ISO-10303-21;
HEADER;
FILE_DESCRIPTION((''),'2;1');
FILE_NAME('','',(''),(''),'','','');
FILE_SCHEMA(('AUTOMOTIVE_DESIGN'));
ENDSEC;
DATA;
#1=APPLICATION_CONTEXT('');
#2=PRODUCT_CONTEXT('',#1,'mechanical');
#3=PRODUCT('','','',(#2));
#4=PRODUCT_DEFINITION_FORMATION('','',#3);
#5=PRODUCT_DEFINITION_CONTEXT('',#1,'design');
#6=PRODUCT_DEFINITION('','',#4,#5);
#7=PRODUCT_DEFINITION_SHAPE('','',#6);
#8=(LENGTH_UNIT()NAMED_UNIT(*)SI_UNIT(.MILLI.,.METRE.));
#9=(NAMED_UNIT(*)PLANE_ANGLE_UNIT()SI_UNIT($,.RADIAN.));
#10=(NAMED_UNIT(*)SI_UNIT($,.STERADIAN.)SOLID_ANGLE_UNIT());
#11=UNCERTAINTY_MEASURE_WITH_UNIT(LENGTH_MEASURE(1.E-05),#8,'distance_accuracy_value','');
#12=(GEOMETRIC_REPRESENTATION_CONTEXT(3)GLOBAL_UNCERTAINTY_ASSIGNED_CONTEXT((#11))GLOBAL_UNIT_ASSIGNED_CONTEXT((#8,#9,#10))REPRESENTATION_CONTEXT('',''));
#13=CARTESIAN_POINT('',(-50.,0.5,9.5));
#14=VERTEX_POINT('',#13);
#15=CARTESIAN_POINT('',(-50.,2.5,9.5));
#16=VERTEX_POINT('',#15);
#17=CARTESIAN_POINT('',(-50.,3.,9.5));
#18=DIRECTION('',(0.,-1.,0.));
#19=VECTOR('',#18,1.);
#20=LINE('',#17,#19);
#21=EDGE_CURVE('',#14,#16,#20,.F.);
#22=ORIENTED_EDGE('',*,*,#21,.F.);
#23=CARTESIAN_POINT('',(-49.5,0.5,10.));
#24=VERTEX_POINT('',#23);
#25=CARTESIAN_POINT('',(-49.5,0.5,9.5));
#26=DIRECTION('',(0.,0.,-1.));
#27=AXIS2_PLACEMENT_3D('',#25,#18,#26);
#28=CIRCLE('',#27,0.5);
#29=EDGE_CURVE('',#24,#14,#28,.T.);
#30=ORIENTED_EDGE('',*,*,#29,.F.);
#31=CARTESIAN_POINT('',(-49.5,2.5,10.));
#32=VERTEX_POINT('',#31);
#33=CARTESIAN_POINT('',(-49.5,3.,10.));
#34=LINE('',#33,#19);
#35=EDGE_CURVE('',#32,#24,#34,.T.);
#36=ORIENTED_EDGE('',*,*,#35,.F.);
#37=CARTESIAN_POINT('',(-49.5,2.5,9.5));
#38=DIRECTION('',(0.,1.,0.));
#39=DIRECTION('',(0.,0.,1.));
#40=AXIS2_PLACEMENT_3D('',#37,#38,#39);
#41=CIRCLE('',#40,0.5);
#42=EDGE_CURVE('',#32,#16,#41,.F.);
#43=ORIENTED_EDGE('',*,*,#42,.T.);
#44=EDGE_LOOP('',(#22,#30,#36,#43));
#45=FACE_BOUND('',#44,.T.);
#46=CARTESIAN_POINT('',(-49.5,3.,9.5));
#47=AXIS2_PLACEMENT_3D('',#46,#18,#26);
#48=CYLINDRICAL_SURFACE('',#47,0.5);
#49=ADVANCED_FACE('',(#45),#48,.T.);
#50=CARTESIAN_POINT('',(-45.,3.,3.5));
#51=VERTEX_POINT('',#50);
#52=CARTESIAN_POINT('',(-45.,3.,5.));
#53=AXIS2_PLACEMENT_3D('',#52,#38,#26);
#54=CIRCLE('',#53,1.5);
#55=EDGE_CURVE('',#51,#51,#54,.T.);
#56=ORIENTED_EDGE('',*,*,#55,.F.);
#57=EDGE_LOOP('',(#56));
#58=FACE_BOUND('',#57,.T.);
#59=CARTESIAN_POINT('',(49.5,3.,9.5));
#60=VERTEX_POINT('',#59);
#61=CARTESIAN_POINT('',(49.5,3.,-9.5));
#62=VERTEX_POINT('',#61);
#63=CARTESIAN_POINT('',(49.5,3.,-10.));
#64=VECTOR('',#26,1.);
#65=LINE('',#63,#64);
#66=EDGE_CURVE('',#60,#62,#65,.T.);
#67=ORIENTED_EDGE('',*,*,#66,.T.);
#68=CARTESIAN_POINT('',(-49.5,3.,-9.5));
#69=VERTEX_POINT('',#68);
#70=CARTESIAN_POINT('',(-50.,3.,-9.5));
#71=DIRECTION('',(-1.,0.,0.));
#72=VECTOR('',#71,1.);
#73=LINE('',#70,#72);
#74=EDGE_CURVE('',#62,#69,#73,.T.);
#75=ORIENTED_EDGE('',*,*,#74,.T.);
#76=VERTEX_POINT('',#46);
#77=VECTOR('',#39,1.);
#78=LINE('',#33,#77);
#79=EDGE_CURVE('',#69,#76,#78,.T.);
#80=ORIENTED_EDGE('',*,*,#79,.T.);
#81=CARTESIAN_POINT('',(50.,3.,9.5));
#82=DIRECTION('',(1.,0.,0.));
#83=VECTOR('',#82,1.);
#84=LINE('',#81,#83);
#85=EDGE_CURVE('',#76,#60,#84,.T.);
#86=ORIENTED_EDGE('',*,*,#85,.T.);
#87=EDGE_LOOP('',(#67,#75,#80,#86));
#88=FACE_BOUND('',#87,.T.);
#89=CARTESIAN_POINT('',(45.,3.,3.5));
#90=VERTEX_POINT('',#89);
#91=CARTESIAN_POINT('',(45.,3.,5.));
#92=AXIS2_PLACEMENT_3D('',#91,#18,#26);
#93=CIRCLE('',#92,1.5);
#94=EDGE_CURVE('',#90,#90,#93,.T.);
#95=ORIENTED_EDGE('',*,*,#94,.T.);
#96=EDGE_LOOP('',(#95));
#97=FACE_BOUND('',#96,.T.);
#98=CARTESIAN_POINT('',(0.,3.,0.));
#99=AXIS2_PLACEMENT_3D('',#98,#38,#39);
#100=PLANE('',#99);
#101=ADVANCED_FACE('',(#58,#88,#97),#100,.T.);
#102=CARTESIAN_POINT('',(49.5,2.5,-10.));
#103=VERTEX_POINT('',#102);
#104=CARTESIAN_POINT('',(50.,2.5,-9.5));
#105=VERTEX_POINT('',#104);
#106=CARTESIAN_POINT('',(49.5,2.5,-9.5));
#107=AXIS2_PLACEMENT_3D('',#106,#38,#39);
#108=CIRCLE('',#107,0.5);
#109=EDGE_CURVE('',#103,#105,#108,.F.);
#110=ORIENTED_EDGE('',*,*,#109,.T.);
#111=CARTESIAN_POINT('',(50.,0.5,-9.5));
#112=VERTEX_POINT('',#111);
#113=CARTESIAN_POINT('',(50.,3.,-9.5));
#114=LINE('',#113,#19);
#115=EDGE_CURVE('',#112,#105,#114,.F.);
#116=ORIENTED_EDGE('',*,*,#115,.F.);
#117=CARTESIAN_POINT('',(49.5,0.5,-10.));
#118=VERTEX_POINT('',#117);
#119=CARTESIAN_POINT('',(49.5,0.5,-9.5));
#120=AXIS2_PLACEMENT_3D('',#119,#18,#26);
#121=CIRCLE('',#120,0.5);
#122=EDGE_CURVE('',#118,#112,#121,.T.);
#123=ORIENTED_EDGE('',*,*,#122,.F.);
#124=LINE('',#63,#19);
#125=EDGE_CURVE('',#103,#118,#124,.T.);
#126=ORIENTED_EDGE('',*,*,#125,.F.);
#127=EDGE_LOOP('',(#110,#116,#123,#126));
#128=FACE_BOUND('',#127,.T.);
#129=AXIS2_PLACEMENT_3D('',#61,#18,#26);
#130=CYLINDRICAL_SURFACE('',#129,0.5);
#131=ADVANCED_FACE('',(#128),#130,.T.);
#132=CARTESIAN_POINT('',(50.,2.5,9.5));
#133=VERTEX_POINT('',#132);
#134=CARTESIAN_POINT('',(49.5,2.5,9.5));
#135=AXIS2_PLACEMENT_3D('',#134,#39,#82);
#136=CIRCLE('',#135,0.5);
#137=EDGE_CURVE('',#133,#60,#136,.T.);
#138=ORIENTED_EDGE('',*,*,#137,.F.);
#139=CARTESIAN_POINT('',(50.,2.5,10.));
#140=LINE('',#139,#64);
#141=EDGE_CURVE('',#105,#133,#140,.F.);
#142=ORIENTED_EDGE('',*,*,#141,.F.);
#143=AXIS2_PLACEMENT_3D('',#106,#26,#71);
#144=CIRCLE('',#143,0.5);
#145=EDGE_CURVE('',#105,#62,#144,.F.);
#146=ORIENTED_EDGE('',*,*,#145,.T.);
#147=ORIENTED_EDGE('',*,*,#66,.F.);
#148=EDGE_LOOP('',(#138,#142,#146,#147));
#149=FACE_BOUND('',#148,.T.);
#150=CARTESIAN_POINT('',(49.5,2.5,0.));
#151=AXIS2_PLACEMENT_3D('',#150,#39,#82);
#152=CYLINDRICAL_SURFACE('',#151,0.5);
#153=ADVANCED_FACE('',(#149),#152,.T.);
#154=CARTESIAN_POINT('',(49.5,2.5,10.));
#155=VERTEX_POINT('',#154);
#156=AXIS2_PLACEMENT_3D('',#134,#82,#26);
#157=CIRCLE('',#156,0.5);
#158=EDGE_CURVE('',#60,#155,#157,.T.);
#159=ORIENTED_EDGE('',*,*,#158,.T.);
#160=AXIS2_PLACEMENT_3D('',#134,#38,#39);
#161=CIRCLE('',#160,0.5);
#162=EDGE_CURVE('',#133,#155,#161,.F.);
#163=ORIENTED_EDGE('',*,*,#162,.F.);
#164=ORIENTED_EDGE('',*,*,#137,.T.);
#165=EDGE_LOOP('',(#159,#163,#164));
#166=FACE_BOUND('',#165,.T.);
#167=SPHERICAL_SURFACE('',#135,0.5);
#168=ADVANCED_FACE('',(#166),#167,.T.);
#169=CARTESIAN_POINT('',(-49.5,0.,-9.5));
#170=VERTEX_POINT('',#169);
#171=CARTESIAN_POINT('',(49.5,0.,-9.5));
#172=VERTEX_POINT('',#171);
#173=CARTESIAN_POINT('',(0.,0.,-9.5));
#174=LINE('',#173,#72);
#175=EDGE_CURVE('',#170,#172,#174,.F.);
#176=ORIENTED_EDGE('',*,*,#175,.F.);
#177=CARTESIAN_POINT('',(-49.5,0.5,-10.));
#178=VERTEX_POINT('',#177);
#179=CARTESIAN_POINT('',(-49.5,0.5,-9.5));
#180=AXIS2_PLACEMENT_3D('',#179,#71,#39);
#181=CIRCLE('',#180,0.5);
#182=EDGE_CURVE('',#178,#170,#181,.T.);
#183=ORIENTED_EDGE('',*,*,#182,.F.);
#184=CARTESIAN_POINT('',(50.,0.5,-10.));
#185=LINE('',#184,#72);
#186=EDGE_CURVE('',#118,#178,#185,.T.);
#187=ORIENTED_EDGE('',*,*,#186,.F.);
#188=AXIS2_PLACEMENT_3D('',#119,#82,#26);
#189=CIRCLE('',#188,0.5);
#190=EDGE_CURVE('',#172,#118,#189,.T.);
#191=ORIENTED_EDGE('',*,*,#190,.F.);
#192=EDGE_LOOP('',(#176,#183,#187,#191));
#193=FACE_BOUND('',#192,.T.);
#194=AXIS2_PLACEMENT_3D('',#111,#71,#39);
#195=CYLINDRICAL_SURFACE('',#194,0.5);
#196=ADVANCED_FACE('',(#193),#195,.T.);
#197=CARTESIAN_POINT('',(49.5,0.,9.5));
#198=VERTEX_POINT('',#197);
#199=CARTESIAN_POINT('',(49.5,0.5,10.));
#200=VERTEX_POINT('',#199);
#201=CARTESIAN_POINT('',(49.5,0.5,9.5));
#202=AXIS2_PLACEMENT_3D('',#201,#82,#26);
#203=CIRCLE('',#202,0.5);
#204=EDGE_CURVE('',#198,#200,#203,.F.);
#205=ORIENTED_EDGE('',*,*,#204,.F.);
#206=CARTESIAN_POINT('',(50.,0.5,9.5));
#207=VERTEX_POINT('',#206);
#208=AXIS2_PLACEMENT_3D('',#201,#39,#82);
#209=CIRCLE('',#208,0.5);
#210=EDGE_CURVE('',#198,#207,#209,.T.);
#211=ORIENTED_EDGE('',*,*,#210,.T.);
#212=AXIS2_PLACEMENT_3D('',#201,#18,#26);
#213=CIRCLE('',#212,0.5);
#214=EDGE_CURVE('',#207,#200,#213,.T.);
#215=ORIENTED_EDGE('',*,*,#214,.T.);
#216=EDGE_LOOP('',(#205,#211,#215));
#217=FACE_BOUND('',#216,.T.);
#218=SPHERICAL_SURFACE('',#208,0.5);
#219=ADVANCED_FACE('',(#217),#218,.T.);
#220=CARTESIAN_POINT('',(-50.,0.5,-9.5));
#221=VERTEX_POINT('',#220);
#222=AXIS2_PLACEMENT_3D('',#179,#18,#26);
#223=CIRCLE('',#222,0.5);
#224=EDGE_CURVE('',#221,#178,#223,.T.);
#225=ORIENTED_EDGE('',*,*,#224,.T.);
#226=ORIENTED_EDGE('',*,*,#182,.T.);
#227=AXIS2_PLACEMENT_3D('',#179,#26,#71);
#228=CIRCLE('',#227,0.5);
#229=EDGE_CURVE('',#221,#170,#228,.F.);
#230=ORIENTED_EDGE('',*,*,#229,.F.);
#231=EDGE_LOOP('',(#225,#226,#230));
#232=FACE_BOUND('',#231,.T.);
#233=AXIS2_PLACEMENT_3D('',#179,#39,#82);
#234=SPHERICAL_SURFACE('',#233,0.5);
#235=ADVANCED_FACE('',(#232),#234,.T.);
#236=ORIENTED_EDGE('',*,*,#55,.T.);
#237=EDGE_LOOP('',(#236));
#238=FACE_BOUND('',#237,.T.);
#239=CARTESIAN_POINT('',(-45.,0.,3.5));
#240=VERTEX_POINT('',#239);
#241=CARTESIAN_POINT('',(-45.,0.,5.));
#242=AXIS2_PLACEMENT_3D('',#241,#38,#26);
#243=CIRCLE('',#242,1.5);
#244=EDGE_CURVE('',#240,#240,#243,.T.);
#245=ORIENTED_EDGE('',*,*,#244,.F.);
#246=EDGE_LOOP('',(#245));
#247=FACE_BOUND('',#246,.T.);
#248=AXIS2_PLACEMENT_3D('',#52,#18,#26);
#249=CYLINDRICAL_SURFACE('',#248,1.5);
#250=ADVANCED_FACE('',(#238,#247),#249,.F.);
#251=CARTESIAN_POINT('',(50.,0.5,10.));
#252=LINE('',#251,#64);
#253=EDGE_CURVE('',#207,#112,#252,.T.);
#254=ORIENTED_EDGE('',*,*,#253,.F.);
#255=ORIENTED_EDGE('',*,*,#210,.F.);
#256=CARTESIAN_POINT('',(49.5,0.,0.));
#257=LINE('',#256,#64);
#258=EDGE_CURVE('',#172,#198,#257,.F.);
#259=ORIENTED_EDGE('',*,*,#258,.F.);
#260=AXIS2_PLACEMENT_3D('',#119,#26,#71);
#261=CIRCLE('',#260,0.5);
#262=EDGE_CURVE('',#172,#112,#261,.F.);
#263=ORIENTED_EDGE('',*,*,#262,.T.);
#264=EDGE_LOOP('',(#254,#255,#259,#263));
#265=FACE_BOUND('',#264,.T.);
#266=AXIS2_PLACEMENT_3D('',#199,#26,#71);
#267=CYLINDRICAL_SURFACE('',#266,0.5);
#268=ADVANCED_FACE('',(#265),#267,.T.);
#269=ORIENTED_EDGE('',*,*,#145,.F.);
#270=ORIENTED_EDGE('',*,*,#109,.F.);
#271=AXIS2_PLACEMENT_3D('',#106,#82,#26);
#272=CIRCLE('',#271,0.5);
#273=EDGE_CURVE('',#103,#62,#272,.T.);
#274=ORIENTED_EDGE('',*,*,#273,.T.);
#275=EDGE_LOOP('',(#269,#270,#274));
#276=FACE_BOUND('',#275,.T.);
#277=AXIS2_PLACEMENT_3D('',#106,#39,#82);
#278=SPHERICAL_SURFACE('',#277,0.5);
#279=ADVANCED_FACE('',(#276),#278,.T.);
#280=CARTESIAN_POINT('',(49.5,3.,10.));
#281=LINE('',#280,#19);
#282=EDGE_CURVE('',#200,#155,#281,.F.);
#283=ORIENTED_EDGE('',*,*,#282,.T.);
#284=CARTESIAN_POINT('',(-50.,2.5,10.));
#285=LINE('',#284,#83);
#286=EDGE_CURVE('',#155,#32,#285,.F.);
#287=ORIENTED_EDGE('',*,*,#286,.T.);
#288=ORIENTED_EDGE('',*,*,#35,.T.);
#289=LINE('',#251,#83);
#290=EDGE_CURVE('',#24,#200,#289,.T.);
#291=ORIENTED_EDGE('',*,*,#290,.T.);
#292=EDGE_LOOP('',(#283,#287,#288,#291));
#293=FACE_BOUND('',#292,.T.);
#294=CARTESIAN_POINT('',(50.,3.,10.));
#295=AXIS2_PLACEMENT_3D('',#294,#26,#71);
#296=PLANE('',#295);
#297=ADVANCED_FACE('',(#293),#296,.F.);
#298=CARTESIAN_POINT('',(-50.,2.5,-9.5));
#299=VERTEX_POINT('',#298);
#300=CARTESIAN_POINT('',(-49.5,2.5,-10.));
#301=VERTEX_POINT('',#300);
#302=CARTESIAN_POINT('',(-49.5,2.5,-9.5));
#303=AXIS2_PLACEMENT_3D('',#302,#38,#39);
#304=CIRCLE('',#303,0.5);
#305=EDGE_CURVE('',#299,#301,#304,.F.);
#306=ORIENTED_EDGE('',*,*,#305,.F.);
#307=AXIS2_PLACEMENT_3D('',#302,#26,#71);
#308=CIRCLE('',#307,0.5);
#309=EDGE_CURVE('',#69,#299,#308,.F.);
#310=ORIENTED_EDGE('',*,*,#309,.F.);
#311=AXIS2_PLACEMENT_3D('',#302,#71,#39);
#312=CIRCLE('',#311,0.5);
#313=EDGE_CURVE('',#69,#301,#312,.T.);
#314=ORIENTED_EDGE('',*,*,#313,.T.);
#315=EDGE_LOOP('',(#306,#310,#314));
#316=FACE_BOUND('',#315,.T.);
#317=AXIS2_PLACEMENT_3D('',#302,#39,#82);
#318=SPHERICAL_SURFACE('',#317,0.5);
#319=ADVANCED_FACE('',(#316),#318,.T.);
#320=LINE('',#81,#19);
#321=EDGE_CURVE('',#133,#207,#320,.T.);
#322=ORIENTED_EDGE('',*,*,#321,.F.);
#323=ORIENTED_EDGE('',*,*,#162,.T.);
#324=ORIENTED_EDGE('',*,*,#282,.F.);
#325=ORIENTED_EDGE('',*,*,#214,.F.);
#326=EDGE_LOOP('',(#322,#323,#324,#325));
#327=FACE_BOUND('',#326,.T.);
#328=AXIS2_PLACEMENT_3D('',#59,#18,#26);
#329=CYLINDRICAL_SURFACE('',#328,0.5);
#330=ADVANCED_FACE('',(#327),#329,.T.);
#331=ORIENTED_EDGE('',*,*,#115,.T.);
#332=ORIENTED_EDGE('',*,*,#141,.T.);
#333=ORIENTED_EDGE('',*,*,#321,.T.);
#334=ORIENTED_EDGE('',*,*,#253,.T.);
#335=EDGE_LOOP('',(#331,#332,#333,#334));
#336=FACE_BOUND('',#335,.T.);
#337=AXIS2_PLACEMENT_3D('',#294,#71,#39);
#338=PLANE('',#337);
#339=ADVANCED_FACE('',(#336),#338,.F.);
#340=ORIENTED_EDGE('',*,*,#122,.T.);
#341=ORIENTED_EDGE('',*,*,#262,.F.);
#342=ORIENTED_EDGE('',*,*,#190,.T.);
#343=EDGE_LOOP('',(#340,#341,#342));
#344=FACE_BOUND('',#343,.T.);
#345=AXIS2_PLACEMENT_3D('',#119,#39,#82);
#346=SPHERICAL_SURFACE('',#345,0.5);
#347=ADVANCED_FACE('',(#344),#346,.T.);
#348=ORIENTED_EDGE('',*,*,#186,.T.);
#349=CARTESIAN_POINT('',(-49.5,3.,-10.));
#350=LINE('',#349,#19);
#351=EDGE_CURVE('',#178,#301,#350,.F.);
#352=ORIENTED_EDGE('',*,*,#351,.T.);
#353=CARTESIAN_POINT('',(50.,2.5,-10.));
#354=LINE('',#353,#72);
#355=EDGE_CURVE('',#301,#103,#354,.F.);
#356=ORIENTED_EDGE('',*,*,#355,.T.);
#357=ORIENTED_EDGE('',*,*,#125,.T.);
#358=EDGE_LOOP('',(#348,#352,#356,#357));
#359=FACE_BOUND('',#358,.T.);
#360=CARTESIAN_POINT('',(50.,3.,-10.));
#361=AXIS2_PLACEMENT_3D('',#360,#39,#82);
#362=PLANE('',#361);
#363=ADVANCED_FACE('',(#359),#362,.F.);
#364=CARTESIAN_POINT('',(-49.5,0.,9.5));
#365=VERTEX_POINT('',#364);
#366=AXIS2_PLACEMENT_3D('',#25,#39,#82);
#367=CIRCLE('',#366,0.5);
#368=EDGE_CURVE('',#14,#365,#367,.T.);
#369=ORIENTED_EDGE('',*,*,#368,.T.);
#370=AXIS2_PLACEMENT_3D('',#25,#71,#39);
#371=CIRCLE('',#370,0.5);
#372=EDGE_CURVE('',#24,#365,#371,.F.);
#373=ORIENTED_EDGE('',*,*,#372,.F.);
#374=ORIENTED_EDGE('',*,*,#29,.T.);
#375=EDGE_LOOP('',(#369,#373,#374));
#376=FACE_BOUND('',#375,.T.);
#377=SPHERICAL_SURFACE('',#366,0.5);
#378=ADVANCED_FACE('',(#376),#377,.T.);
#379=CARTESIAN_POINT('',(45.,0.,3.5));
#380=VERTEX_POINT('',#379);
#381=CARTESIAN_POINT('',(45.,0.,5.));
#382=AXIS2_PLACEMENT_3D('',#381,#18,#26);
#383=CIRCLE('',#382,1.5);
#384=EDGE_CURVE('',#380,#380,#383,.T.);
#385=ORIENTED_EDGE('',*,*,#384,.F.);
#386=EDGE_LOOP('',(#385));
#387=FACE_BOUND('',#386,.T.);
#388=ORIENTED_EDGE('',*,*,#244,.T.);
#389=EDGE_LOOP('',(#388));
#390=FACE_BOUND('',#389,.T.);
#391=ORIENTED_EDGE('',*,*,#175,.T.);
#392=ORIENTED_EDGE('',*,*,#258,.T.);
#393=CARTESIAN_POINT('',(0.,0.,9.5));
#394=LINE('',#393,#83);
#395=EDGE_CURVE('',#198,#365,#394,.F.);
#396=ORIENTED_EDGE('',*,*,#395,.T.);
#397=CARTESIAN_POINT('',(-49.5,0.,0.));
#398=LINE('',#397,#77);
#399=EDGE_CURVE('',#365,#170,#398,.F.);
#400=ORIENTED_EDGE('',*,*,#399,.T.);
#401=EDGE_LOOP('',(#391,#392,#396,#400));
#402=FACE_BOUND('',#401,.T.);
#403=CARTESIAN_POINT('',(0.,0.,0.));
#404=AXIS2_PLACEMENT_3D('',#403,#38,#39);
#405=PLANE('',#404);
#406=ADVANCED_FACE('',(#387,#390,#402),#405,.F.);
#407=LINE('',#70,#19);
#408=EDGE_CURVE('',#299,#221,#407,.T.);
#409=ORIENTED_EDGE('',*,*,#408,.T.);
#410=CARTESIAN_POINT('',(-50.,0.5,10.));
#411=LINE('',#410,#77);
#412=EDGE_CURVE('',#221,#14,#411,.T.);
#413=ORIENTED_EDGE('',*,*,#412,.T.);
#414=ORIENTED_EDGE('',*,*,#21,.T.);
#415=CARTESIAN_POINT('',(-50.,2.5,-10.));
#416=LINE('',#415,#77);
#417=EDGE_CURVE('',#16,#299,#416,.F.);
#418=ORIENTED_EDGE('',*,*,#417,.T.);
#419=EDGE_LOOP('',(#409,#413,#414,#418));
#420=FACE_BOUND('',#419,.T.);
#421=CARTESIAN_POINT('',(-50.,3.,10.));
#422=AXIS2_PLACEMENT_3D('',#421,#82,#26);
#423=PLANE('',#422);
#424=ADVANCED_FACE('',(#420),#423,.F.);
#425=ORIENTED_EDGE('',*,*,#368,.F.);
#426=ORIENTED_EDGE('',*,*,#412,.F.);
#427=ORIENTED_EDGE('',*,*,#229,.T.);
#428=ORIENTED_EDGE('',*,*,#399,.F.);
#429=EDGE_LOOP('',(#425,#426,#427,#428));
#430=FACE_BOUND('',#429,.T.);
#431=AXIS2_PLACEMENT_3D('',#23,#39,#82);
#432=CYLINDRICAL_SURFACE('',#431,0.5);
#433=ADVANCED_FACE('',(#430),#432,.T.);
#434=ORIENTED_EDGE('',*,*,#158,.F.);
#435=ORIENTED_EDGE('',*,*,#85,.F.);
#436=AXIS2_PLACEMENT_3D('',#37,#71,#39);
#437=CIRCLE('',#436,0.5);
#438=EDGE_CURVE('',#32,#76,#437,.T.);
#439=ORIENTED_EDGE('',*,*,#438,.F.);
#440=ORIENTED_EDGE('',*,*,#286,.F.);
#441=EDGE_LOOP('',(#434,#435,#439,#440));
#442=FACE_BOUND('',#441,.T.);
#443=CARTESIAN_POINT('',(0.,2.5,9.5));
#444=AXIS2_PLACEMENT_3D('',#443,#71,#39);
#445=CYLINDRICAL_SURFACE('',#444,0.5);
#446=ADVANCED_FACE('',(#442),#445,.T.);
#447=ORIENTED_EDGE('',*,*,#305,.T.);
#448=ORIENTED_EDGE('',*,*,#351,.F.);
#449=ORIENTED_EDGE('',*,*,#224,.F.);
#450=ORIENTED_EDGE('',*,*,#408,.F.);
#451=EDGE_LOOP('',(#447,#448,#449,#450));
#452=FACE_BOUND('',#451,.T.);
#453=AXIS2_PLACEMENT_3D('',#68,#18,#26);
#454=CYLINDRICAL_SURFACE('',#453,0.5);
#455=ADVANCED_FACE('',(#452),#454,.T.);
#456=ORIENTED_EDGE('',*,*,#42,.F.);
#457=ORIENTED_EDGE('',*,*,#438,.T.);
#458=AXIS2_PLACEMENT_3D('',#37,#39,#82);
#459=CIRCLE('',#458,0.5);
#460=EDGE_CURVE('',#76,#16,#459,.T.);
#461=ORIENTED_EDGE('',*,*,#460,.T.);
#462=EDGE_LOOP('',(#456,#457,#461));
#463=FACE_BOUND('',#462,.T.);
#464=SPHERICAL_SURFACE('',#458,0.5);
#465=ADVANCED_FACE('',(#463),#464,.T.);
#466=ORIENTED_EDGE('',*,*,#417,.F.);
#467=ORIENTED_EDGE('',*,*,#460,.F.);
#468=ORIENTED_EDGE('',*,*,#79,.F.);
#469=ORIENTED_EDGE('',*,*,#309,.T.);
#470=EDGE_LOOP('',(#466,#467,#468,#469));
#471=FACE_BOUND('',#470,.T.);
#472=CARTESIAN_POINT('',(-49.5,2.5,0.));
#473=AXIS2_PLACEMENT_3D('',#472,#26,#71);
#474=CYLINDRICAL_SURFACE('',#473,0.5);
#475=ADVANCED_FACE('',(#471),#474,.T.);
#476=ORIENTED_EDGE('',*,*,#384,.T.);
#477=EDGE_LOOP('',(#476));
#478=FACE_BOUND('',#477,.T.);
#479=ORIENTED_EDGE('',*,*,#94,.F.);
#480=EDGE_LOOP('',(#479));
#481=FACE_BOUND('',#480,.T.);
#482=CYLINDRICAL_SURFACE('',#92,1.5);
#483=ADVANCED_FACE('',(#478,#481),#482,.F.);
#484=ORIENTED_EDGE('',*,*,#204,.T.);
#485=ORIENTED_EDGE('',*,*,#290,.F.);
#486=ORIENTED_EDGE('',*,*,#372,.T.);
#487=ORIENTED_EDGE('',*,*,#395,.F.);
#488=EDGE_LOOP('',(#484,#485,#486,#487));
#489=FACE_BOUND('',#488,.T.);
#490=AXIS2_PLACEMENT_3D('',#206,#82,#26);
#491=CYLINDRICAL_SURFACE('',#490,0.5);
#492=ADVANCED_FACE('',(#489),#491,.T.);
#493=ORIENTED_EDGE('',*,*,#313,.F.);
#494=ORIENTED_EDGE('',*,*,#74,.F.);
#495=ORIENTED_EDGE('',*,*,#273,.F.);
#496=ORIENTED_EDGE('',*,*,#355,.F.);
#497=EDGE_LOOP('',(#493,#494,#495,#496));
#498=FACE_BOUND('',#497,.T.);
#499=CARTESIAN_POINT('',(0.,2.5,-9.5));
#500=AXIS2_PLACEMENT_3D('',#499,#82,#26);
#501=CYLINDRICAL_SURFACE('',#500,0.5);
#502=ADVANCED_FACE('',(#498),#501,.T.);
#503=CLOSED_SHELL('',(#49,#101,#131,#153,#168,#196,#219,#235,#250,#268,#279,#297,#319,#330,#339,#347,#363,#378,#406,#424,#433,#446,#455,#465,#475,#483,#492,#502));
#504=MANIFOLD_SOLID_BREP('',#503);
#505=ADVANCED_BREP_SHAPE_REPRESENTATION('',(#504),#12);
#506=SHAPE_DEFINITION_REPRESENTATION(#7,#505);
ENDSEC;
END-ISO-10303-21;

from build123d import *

# Parameters (mm, degrees)
SKETCH1_W           = 100
SKETCH1_H           = 20
BOSS_EXTRUDE1_DEPTH = 3
FILLET1_R           = 0.5
SKETCH2_R           = 1.5
CUT_EXTRUDE1_DEPTH  = 4


with BuildPart() as part:
    # Sketch1 → Boss-Extrude1 (new body)
    with BuildSketch(Plane(origin=(0, 0, 0), x_dir=(1, 0, 0), z_dir=(0, 1, 0))):
        Rectangle(SKETCH1_W, SKETCH1_H)
    extrude(amount=BOSS_EXTRUDE1_DEPTH)

    # Fillet1
    fillet1_edges = [part.edges().sort_by_distance(p)[0] for p in [
        (50, 3, 0),
        (0, 3, -10),
        (-50, 3, 0),
        (0, 0, -10),
        (50, 0, 0),
        (0, 0, 10),
        (-50, 0, 0),
        (0, 3, 10),
        (-50, 1.5, -10),
        (50, 1.5, -10),
        (50, 1.5, 10),
        (-50, 1.5, 10),
    ]]
    fillet(fillet1_edges, radius=FILLET1_R)

    # Sketch2 → Cut-Extrude1 (cut, through all)
    with BuildSketch(Plane.XZ):
        with Locations((45, 5)):
            Circle(SKETCH2_R)
    cut_extrude1 = extrude(amount=-CUT_EXTRUDE1_DEPTH, mode=Mode.SUBTRACT)

    # Mirror1: Cut-Extrude1 across plane
    add(cut_extrude1.mirror(Plane(origin=(0, 0, 0), x_dir=(0, 0, 1), z_dir=(1, 0, 0))), mode=Mode.SUBTRACT)


solid = part.part
